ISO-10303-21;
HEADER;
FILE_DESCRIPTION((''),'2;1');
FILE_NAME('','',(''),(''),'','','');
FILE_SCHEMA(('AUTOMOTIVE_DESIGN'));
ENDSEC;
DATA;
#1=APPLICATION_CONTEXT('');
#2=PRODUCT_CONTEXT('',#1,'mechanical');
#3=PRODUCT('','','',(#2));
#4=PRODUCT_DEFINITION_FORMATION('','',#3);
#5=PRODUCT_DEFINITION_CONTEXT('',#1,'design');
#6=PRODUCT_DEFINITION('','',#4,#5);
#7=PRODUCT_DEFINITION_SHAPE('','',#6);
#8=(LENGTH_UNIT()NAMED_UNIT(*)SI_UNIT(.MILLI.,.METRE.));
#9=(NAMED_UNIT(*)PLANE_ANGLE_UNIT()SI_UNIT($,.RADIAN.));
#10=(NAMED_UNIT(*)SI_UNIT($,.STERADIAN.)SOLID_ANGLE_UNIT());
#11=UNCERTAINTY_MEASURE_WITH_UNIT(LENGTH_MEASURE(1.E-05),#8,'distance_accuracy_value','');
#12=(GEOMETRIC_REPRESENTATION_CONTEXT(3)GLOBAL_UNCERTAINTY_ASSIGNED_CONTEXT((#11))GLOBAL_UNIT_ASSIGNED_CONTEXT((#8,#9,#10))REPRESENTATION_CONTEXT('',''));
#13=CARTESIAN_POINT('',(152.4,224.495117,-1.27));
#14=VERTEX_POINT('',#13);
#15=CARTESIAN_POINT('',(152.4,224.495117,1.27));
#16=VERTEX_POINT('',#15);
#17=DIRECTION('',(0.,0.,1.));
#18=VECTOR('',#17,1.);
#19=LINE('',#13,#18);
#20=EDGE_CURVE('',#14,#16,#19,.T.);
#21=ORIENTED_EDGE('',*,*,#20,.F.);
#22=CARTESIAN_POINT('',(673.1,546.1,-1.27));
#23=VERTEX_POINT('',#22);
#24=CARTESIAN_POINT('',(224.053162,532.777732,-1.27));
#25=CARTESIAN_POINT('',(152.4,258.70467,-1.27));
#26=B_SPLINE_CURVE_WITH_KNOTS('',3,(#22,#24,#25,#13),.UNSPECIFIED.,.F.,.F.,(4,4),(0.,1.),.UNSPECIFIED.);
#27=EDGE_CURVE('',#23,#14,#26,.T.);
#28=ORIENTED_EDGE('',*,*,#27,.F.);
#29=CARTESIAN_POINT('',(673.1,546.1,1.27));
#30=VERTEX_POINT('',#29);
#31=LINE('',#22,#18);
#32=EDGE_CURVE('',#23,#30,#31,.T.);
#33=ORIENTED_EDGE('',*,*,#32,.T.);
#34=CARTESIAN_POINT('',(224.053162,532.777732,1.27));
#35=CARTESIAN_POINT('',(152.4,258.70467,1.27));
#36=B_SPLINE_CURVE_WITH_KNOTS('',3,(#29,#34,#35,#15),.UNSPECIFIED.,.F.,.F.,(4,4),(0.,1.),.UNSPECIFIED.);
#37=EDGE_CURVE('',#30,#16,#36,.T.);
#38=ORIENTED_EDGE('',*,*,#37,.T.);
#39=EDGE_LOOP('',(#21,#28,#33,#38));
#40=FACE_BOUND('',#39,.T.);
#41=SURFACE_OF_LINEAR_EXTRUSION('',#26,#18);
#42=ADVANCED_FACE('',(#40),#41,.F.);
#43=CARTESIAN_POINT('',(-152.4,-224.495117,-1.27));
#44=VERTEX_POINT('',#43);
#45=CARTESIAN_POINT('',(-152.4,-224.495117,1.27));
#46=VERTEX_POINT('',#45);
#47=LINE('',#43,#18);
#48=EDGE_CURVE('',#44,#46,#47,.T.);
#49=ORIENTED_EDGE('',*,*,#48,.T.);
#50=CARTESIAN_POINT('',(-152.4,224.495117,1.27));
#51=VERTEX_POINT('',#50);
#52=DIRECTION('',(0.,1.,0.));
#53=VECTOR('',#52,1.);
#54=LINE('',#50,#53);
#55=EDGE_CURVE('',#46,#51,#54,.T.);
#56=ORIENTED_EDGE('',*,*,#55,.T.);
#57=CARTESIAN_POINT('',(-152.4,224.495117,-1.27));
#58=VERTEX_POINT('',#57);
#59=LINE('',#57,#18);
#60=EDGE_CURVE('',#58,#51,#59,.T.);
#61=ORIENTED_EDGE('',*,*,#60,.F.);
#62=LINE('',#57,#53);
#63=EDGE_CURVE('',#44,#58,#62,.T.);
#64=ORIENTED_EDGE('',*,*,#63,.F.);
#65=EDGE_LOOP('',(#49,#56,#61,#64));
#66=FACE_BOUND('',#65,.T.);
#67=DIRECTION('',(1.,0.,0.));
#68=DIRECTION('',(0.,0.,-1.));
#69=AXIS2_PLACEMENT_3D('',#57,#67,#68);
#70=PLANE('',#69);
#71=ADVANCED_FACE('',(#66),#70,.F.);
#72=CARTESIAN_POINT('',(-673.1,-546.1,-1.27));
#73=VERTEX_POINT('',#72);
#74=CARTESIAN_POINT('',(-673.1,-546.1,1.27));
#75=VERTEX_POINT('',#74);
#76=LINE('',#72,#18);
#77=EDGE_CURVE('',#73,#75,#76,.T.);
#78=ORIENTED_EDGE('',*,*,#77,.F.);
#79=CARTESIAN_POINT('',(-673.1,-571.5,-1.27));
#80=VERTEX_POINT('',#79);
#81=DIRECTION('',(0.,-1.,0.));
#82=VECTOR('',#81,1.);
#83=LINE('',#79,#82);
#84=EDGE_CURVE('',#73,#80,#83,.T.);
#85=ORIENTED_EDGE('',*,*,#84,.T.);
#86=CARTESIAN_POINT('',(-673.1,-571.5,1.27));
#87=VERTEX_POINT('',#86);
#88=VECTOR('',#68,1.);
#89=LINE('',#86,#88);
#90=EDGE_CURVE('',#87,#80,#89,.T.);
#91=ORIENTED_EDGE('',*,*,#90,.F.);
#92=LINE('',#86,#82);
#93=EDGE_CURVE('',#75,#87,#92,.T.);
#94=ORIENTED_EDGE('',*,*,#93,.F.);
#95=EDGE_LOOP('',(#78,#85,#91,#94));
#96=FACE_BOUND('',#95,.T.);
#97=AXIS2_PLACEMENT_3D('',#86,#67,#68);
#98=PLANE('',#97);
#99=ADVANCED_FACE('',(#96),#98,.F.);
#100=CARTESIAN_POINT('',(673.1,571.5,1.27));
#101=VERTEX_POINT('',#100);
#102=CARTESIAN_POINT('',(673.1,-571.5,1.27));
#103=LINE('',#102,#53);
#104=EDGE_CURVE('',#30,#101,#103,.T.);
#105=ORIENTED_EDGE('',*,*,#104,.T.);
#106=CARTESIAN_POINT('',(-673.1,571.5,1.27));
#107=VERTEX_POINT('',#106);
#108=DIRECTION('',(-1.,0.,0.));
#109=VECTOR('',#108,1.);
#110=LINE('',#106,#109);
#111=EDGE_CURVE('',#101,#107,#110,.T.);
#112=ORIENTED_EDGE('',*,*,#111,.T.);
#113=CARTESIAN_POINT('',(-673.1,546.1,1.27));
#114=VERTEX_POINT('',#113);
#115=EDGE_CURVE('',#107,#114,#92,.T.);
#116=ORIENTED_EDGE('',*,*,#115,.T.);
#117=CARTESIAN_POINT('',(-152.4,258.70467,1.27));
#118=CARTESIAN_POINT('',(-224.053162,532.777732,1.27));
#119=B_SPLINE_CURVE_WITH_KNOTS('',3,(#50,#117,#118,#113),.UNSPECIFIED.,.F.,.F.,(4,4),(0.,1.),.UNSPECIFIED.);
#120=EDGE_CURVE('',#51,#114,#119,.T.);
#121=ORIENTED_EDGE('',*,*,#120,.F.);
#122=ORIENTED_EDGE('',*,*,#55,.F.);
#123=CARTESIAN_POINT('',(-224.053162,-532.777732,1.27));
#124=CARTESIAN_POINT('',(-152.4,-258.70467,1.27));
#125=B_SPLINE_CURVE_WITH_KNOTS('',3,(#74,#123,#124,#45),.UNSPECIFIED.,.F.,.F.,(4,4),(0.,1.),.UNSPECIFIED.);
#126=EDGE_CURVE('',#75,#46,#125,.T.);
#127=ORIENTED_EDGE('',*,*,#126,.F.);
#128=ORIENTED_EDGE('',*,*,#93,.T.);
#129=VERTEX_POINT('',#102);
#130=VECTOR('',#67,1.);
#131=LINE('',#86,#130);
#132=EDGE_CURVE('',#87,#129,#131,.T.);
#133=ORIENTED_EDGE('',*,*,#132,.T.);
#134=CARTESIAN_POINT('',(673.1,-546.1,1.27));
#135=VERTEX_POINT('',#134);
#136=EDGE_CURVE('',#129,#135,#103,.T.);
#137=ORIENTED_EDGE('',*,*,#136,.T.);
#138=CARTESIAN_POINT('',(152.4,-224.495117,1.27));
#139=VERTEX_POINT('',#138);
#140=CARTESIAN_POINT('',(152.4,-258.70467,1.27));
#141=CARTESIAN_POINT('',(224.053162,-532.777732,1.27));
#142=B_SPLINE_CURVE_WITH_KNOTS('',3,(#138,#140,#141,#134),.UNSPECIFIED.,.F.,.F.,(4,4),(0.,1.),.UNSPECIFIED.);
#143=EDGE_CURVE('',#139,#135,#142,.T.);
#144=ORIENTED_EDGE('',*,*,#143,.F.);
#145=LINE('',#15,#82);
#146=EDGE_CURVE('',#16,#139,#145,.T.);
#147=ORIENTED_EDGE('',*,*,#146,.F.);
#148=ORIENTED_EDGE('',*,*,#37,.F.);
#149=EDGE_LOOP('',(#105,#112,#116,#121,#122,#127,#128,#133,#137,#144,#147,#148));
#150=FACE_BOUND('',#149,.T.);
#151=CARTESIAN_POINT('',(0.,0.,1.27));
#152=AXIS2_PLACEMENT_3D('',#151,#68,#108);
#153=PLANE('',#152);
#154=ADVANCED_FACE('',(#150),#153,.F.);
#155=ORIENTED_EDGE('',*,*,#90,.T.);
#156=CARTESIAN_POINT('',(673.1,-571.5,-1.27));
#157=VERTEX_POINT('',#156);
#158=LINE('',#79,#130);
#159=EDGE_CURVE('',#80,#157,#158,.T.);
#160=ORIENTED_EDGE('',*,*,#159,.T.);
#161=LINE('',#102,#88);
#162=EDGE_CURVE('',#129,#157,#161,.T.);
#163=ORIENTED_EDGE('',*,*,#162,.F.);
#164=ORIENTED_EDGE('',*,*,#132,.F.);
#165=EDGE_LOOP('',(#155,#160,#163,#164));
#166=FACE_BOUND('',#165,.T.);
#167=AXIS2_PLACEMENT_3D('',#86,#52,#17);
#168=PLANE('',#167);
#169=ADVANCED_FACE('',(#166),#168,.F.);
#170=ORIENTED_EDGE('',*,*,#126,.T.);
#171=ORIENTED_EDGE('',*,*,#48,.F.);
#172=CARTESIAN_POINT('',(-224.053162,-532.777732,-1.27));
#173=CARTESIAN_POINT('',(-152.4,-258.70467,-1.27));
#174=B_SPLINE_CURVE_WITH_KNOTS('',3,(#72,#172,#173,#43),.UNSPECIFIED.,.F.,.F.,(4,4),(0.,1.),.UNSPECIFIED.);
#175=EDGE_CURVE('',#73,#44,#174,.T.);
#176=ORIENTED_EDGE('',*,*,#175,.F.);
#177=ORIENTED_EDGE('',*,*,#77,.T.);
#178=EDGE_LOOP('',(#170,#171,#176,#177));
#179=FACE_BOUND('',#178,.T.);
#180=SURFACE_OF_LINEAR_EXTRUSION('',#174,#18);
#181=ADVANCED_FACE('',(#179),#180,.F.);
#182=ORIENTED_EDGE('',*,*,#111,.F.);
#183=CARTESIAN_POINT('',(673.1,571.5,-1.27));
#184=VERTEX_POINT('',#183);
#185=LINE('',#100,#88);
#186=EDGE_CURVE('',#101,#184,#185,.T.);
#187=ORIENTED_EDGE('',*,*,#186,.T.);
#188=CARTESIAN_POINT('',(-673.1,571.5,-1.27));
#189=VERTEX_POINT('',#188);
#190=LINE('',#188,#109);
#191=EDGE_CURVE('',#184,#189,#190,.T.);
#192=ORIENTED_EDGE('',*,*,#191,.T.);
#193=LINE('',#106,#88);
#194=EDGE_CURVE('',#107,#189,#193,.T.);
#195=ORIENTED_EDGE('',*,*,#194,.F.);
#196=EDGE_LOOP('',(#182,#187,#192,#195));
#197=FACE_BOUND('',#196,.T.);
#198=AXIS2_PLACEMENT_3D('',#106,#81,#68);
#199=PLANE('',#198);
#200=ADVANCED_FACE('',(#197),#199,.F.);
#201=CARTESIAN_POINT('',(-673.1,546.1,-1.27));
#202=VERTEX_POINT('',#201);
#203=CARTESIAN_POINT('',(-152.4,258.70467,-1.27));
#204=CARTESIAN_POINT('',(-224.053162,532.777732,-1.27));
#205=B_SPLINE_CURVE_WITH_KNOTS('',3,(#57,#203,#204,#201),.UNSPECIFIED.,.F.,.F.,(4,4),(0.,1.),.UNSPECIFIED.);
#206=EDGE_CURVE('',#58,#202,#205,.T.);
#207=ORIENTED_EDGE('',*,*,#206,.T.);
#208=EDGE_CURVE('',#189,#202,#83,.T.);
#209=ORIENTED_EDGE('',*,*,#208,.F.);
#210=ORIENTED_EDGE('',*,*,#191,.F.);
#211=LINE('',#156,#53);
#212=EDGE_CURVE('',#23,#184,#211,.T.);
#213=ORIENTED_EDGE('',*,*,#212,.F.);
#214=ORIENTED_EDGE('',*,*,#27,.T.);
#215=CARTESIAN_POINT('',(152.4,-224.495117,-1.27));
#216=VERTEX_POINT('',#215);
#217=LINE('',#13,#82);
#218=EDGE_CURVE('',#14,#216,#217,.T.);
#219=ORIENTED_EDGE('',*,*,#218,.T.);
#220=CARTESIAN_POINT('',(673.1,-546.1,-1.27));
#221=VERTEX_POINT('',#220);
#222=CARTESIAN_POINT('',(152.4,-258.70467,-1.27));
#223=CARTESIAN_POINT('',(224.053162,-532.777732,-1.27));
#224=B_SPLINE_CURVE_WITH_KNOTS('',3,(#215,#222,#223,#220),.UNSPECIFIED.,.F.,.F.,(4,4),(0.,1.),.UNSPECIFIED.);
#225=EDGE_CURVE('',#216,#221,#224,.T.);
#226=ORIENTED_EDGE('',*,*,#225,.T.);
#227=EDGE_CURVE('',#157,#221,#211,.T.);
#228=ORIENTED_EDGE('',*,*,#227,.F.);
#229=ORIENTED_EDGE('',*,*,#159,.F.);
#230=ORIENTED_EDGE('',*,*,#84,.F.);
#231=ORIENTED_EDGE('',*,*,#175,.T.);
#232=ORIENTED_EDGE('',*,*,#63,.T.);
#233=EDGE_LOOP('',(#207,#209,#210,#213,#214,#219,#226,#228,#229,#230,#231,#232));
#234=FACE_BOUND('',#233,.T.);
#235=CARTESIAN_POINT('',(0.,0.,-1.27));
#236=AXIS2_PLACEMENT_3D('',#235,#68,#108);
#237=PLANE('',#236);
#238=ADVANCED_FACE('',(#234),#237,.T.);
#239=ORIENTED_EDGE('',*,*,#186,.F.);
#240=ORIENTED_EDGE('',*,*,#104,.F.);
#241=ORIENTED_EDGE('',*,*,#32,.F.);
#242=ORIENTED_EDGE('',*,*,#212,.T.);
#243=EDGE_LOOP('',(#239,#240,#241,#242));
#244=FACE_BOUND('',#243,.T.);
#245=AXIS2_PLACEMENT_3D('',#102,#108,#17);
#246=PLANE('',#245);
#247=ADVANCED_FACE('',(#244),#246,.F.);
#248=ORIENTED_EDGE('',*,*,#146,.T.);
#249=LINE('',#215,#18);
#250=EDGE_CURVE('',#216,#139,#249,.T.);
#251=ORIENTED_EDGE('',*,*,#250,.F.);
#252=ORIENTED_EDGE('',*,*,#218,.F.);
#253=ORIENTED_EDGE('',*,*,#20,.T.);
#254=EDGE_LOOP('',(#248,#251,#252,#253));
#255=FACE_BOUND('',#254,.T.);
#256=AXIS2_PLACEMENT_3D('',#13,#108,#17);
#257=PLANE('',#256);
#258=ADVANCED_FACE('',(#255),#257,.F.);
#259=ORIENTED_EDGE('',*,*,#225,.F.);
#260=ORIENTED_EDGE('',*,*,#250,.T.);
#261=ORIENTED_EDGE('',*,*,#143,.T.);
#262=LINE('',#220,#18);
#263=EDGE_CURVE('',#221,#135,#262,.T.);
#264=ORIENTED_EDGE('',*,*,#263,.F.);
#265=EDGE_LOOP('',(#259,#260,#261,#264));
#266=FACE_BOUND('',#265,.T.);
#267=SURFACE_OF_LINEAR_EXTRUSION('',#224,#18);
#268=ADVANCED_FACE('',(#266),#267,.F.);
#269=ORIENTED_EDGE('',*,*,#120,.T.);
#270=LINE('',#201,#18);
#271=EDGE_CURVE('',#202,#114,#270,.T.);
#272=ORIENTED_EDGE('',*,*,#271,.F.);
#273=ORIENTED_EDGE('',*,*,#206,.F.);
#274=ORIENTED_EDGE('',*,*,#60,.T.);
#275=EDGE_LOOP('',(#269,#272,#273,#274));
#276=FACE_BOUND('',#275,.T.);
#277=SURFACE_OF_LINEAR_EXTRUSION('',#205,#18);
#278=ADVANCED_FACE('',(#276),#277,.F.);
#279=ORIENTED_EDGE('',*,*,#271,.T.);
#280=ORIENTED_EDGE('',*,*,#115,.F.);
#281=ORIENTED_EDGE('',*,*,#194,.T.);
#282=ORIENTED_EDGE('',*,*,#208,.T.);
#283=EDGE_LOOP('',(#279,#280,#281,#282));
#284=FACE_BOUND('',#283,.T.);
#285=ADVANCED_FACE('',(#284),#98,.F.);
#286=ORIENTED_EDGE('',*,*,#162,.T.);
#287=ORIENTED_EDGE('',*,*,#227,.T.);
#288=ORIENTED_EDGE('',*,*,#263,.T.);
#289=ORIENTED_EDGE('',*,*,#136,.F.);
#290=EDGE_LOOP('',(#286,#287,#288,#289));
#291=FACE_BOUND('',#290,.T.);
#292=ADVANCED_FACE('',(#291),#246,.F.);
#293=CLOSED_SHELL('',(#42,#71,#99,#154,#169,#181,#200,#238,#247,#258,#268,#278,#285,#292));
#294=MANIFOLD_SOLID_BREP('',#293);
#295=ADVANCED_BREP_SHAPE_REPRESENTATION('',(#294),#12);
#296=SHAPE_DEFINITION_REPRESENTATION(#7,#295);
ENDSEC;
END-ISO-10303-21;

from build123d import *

# Parameters (mm, degrees)
SKETCH1_W           = 1346.2
SKETCH1_H           = 1143
BOSS_EXTRUDE1_DEPTH = 1.27
CUT_EXTRUDE1_DEPTH  = 3.54


with BuildPart() as part:
    # Sketch1 → Boss-Extrude1 (new body, symmetric)
    with BuildSketch(Plane.XY):
        Rectangle(SKETCH1_W, SKETCH1_H)
    extrude(amount=BOSS_EXTRUDE1_DEPTH, both=True)

    # Sketch2 → Cut-Extrude1 (cut, through all)
    with BuildSketch(Plane.XY.offset(1.27)):
        with BuildLine():
            Line((-673.1, 546.1), (-673.1, -546.1))
            add(Edge.make_bspline(
                [(-152.4, -224.495117073), (-152.4, -258.704669829), (-224.053162497, -532.777731838), (-673.1, -546.1)],
                knots=[0, 0, 0, 0, 1, 1, 1, 1], degree=3))
            Line((-152.4, -224.495117073), (-152.4, 224.495117073))
            add(Edge.make_bspline(
                [(-152.4, 224.495117073), (-152.4, 258.704669829), (-224.053162497, 532.777731838), (-673.1, 546.1)],
                knots=[0, 0, 0, 0, 1, 1, 1, 1], degree=3))
        make_face()
        with BuildLine():
            Line((673.1, 546.1), (673.1, -546.1))
            add(Edge.make_bspline(
                [(152.4, -224.495117073), (152.4, -258.704669829), (224.053162497, -532.777731838), (673.1, -546.1)],
                knots=[0, 0, 0, 0, 1, 1, 1, 1], degree=3))
            Line((152.4, -224.495117073), (152.4, 224.495117073))
            add(Edge.make_bspline(
                [(152.4, 224.495117073), (152.4, 258.704669829), (224.053162497, 532.777731838), (673.1, 546.1)],
                knots=[0, 0, 0, 0, 1, 1, 1, 1], degree=3))
        make_face()
    extrude(amount=-CUT_EXTRUDE1_DEPTH, mode=Mode.SUBTRACT)


solid = part.part
